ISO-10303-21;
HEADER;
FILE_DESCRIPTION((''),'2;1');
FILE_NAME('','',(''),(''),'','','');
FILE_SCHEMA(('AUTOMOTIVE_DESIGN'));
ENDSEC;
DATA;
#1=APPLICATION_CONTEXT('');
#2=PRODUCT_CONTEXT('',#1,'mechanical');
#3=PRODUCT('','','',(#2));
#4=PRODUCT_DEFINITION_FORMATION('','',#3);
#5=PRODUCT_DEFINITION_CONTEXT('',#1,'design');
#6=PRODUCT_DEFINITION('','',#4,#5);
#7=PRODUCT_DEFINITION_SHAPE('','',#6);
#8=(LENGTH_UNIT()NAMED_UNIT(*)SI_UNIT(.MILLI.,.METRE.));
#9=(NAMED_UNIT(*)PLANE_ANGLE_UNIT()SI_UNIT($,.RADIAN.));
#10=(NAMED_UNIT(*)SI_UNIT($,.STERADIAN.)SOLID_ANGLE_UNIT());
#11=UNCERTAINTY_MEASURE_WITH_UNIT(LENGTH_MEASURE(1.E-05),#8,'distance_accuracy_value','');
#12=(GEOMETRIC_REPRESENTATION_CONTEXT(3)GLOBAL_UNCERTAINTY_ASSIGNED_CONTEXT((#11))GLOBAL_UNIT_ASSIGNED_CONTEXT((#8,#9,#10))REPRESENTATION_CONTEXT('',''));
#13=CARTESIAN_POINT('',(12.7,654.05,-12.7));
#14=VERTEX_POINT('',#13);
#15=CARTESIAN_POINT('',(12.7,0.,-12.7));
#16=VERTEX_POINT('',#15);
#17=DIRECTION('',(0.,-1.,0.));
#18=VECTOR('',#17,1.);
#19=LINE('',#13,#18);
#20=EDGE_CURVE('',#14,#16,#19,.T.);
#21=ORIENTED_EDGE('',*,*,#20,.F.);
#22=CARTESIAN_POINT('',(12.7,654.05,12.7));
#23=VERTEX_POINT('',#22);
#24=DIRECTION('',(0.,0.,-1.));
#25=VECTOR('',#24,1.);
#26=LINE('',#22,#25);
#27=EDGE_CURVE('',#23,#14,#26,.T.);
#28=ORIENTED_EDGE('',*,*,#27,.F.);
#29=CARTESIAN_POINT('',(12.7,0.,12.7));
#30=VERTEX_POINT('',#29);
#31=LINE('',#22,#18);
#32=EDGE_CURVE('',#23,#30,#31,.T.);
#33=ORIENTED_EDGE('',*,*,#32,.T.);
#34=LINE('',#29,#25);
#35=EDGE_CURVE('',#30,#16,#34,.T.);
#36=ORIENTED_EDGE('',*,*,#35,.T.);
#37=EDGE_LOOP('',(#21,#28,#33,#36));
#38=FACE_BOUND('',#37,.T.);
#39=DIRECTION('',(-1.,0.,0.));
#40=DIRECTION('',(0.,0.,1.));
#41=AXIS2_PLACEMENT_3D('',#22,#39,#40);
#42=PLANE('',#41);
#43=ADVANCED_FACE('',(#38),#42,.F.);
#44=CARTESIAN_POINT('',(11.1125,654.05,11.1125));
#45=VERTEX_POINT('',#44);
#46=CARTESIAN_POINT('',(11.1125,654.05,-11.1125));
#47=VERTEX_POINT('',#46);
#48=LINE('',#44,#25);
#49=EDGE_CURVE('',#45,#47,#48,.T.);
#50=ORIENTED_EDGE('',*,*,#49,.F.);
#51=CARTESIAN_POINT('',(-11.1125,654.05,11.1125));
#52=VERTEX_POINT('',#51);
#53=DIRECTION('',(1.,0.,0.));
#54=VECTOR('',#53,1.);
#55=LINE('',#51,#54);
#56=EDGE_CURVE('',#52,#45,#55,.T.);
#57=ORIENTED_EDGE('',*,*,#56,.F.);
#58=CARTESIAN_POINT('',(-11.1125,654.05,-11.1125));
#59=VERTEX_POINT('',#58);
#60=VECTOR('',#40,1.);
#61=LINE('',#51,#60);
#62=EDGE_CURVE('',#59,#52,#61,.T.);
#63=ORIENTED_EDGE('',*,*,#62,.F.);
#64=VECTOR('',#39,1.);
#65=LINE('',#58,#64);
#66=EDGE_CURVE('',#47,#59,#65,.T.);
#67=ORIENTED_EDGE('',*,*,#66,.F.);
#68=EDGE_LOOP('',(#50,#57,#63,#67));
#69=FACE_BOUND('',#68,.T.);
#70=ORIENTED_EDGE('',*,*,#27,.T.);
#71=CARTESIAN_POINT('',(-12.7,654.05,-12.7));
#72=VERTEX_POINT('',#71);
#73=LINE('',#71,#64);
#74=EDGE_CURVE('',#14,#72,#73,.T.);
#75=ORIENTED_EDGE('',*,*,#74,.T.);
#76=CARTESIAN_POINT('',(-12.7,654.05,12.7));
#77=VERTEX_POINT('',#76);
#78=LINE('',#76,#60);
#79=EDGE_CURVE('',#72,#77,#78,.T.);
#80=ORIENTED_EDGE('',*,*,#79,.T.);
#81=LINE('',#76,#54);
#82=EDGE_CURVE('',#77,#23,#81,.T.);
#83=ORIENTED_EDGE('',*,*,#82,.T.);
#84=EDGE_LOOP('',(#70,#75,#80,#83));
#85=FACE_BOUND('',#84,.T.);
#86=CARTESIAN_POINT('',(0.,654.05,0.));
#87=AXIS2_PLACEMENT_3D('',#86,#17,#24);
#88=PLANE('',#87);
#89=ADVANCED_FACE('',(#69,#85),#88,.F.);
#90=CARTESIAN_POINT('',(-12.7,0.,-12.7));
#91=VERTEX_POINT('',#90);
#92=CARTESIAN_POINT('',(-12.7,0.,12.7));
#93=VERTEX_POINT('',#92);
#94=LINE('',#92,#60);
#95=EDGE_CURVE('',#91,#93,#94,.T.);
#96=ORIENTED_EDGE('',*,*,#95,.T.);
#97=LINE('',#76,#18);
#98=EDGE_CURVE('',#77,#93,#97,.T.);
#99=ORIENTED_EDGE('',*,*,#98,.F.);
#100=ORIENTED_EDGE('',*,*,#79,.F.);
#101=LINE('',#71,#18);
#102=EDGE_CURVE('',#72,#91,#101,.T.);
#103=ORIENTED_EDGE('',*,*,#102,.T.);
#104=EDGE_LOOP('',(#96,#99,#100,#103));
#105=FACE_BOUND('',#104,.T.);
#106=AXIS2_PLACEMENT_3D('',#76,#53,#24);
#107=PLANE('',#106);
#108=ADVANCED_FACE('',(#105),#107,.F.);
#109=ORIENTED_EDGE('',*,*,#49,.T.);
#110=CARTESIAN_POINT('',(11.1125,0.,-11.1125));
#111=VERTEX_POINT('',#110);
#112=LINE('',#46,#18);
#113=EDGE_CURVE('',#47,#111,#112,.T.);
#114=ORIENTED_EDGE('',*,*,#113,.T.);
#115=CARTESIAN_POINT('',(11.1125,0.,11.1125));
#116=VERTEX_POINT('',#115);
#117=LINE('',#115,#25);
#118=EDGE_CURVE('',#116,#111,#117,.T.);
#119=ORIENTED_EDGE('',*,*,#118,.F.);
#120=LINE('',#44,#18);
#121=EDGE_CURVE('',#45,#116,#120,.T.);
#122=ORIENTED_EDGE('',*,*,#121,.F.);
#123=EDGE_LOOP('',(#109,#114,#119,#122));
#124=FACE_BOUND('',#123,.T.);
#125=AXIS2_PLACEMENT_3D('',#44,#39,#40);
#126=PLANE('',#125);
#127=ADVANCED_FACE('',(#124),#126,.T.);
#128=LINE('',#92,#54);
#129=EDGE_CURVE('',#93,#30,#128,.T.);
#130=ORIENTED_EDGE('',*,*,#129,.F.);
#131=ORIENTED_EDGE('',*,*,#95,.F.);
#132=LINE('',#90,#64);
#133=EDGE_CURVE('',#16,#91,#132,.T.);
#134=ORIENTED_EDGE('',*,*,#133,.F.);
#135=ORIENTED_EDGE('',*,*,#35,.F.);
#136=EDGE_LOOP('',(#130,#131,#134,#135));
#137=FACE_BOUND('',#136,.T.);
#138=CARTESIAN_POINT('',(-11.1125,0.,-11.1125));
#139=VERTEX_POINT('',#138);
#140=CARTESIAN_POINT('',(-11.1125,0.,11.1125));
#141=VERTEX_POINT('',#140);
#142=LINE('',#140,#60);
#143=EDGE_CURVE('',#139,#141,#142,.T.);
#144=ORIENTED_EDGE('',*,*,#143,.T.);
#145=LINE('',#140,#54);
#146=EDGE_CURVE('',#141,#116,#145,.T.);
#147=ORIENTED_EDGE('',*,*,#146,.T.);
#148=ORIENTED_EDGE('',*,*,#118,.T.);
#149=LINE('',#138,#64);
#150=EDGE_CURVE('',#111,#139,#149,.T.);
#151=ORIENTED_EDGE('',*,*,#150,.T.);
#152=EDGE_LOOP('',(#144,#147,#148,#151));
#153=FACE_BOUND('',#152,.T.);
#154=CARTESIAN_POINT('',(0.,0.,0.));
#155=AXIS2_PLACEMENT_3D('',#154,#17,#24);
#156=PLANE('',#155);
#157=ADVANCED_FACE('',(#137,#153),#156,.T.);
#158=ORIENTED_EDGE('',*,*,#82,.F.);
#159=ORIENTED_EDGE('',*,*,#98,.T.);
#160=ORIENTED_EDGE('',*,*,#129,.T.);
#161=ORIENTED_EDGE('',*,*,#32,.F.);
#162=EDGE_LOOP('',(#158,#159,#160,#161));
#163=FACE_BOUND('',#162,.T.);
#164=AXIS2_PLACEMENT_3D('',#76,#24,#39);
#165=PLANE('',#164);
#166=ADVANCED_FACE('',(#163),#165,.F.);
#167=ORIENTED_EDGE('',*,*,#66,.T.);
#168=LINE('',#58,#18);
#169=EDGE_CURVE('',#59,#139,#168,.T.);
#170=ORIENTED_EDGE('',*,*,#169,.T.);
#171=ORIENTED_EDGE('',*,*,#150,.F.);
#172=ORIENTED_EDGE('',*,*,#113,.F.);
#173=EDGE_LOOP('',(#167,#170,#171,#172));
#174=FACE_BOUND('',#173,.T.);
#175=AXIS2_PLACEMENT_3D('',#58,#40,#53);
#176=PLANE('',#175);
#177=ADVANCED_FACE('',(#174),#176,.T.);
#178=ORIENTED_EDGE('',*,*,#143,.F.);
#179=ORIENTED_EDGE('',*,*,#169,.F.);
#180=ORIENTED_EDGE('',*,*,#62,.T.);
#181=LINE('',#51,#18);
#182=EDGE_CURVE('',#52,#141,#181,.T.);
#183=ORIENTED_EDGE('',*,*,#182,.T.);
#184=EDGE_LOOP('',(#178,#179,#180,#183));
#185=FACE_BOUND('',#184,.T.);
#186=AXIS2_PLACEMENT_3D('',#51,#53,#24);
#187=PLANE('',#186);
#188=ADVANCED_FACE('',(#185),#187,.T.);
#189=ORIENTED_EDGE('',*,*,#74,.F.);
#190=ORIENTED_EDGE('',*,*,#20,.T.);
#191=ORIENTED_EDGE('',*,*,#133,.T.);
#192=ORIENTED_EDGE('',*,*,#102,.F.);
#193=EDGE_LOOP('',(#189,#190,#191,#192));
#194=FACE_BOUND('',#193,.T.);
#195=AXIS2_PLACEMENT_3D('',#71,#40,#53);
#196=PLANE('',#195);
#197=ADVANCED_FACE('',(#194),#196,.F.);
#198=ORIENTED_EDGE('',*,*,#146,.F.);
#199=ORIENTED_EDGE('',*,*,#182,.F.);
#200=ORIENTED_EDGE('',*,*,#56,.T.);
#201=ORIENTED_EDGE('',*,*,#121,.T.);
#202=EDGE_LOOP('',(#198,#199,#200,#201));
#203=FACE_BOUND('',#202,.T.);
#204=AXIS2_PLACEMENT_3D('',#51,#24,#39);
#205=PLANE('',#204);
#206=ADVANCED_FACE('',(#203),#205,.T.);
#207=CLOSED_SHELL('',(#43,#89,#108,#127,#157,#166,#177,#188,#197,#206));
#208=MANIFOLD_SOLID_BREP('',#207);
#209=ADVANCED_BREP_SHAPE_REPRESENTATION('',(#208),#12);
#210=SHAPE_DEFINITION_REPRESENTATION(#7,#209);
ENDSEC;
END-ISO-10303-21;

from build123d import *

# Parameters (mm, degrees)
SKETCH1_W           = 25.4
SKETCH1_H           = 25.4
SKETCH1_W_2         = 22.225
SKETCH1_H_2         = 22.225
BOSS_EXTRUDE1_DEPTH = 654.05


with BuildPart() as part:
    # Sketch1 → Boss-Extrude1 (new body)
    with BuildSketch(Plane(origin=(0, 0, 0), x_dir=(1, 0, 0), z_dir=(0, 1, 0))):
        Rectangle(SKETCH1_W, SKETCH1_H)
        Rectangle(SKETCH1_W_2, SKETCH1_H_2, mode=Mode.SUBTRACT)
    extrude(amount=BOSS_EXTRUDE1_DEPTH)


solid = part.part
